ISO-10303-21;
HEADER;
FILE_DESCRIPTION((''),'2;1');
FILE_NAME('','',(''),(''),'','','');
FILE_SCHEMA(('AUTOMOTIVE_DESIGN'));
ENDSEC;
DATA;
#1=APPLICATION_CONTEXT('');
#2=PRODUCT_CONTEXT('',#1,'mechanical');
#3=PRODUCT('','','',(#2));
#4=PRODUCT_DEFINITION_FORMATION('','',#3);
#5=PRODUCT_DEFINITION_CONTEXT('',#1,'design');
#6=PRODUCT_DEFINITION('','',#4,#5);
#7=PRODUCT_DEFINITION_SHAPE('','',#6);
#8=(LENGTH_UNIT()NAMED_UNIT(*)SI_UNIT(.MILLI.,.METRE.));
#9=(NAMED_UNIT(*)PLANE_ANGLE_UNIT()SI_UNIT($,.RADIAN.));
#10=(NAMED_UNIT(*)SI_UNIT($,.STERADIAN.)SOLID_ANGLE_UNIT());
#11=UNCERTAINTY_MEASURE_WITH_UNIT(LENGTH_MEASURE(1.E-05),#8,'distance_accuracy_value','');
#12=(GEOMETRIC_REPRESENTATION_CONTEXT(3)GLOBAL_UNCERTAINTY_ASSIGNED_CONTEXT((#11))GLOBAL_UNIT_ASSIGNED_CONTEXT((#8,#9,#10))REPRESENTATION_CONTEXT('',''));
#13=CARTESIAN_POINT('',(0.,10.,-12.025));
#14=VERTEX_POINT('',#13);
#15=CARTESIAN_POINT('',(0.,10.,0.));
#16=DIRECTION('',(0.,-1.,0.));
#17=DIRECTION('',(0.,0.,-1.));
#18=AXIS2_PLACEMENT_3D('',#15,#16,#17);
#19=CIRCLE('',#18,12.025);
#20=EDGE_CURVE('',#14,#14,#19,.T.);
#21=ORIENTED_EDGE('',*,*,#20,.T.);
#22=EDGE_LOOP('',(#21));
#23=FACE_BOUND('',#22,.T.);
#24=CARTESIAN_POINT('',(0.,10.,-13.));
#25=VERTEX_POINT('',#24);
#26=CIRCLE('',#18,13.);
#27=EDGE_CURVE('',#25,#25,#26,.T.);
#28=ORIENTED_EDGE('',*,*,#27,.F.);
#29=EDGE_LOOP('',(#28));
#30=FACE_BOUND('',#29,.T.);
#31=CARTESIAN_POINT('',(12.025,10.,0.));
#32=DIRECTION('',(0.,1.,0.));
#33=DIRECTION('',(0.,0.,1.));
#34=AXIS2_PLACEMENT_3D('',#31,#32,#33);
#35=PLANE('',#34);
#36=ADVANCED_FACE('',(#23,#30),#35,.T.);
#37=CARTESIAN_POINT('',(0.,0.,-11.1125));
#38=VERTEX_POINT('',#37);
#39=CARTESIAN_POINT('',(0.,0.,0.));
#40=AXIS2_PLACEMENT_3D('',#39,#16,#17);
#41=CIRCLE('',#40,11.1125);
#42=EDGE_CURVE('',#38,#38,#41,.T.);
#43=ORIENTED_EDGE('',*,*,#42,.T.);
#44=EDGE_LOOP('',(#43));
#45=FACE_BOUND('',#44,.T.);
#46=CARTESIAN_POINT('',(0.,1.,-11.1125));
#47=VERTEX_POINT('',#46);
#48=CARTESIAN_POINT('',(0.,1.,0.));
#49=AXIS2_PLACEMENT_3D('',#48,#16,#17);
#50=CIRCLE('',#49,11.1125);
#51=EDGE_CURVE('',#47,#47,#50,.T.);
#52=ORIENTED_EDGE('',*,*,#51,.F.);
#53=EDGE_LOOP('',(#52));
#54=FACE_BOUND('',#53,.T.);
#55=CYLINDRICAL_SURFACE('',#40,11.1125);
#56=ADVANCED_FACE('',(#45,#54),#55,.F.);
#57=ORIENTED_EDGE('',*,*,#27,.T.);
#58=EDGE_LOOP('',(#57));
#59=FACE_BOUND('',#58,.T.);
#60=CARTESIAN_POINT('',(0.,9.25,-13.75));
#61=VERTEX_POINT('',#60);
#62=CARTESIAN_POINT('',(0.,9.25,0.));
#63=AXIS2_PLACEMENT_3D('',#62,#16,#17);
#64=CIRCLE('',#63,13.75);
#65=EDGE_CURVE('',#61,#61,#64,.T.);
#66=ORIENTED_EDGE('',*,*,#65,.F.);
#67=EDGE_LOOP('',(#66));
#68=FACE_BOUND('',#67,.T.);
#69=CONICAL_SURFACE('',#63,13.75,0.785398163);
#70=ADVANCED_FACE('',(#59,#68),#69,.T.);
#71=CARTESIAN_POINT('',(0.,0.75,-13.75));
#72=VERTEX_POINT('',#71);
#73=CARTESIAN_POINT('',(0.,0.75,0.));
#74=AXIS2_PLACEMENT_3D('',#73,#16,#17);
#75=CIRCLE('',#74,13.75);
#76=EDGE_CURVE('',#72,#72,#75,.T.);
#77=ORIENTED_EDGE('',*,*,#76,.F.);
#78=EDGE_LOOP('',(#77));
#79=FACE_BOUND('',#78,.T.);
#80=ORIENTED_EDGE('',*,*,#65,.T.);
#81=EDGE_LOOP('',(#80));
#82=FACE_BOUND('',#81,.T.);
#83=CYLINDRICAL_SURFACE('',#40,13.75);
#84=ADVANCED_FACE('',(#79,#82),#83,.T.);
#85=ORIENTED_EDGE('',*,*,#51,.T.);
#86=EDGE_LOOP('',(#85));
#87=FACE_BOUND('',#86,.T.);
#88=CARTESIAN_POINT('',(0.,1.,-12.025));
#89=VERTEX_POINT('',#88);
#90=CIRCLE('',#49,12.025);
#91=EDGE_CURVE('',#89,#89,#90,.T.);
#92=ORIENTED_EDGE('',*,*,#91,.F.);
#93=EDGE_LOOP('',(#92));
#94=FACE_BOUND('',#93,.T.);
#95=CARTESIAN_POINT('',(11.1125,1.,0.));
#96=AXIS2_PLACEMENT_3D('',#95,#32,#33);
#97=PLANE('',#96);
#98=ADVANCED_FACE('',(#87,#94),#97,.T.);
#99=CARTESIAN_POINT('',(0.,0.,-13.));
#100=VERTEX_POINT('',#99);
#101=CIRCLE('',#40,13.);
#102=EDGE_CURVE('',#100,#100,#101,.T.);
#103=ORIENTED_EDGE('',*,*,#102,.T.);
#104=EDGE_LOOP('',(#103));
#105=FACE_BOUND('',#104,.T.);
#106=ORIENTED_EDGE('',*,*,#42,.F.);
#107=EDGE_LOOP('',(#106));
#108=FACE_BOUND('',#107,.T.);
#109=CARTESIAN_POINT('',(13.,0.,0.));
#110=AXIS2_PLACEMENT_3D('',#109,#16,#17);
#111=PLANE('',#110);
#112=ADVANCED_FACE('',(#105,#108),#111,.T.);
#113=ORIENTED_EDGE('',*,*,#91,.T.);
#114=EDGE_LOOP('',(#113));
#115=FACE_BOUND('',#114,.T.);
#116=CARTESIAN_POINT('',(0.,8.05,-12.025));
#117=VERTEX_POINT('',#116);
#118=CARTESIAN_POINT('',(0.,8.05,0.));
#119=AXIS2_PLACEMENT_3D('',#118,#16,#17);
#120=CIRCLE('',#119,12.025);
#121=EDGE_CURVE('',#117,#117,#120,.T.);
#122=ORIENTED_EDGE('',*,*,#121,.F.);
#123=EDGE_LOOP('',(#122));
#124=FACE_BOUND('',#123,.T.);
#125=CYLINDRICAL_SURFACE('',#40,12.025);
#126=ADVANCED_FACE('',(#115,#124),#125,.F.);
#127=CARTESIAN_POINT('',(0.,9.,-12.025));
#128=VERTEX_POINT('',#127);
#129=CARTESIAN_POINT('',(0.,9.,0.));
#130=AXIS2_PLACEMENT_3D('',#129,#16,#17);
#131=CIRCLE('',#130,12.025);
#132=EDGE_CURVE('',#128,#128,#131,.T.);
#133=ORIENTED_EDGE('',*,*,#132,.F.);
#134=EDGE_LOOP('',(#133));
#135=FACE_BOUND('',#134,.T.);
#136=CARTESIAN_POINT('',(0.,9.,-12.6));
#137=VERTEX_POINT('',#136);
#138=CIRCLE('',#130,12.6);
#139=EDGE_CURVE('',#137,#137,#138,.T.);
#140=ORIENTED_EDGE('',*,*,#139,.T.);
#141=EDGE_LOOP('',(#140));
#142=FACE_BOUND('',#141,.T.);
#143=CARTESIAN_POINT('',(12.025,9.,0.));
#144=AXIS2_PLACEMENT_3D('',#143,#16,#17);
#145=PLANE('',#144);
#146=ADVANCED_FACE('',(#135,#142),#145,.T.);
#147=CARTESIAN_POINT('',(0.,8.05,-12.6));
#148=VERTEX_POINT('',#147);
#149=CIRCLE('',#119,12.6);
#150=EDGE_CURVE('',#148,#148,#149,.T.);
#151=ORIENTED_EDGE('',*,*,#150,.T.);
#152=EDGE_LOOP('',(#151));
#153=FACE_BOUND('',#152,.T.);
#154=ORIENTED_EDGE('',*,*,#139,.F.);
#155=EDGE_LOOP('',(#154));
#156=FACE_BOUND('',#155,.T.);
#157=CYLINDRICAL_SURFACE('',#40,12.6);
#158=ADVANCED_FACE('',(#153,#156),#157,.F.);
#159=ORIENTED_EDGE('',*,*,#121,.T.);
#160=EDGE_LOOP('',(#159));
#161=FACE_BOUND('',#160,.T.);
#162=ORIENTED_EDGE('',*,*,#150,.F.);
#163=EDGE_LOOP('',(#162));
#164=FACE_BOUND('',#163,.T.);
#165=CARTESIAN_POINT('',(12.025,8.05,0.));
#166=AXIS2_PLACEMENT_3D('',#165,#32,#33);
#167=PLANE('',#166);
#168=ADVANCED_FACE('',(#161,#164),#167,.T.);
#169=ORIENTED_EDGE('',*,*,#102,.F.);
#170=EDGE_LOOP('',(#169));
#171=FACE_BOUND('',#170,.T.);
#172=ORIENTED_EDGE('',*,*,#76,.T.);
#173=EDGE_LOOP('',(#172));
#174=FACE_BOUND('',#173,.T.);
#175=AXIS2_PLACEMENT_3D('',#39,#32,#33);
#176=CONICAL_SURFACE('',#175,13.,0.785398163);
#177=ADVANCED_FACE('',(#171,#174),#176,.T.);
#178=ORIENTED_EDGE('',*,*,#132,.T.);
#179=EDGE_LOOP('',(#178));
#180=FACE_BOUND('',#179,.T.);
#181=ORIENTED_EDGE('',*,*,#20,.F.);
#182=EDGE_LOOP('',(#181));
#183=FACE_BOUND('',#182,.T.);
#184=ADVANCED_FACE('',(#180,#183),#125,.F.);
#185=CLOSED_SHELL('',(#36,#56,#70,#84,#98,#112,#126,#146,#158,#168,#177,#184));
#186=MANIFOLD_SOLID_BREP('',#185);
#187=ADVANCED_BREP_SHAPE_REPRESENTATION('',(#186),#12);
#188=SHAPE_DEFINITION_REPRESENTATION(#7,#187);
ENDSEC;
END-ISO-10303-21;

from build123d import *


with BuildPart() as part:
    # Sketch3 → Revolve1 (revolve)
    with BuildSketch(Plane.XY):
        Polygon((11.1125, 0), (11.1125, 1), (12.025, 1), (12.025, 8.05), (12.6, 8.05), (12.6, 9), (12.025, 9), (12.025, 10), (13, 10), (13.75, 9.25), (13.75, 0.75), (13, 0), align=None)
    revolve(axis=Axis((0, 0, 0), (0, 1, 0)))


solid = part.part
